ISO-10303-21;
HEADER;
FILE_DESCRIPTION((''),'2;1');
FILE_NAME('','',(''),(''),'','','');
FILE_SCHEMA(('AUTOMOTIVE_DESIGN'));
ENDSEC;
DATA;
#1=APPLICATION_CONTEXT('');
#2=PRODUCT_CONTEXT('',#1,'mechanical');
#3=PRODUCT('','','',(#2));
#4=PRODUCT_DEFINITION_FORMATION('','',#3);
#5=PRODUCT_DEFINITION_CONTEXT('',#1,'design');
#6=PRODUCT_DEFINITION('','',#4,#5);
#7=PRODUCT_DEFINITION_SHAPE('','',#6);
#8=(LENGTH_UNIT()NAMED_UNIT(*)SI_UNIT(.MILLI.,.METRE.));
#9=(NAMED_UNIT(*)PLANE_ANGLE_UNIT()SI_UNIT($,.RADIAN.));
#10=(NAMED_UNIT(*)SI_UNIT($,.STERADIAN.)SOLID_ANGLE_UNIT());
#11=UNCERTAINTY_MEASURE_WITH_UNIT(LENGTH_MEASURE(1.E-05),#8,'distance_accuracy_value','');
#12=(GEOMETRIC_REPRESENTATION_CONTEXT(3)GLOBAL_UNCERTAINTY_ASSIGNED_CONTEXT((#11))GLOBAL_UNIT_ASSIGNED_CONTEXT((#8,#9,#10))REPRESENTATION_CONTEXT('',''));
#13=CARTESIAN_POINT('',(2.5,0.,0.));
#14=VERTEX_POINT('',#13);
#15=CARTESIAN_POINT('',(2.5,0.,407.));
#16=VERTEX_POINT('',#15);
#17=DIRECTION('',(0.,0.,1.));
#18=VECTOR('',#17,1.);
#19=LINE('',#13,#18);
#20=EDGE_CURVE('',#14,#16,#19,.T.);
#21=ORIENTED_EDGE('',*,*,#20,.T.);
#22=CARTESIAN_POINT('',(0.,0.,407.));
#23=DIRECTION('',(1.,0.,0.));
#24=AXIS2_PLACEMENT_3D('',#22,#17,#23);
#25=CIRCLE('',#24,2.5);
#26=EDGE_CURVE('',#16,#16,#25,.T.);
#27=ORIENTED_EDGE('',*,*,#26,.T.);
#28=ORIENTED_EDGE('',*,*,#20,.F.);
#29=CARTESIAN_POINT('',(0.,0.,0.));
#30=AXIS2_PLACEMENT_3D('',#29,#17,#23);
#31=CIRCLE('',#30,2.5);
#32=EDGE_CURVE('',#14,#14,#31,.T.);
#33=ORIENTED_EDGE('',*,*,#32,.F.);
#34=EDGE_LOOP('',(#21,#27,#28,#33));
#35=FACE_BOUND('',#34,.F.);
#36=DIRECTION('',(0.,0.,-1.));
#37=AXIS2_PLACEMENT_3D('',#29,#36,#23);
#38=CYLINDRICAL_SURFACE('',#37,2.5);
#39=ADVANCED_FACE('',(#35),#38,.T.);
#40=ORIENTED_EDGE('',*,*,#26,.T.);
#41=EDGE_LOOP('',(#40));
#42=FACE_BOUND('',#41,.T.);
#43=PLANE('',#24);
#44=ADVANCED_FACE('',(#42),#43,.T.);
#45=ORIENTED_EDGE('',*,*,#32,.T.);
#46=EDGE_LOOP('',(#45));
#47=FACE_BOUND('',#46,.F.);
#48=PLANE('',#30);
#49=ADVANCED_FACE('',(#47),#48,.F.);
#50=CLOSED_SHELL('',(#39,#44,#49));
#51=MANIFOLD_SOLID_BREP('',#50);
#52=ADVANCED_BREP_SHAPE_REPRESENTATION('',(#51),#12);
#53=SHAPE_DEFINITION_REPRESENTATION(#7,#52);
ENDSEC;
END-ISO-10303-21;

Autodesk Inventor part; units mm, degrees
ref_plane "YZ Plane" through (0, 0, 0) normal (1, 0, 0) x (0, 1, 0)
ref_plane "XZ Plane" through (0, 0, 0) normal (0, 1, 0) x (-1, 0, 0)
ref_plane "XY Plane" through (0, 0, 0) normal (0, 0, 1) x (1, 0, 0)
sketch "Sketch1" plane through (0, 0, 0) normal (0, 0, 1) x (1, 0, 0)
  circle A0 centre (0, 0) radius 2.5
  dimension "d0" = 5
extrude "Extrusion1" add sketch "Sketch1" along normal blind 407
properties part number "xDriveShaft"
